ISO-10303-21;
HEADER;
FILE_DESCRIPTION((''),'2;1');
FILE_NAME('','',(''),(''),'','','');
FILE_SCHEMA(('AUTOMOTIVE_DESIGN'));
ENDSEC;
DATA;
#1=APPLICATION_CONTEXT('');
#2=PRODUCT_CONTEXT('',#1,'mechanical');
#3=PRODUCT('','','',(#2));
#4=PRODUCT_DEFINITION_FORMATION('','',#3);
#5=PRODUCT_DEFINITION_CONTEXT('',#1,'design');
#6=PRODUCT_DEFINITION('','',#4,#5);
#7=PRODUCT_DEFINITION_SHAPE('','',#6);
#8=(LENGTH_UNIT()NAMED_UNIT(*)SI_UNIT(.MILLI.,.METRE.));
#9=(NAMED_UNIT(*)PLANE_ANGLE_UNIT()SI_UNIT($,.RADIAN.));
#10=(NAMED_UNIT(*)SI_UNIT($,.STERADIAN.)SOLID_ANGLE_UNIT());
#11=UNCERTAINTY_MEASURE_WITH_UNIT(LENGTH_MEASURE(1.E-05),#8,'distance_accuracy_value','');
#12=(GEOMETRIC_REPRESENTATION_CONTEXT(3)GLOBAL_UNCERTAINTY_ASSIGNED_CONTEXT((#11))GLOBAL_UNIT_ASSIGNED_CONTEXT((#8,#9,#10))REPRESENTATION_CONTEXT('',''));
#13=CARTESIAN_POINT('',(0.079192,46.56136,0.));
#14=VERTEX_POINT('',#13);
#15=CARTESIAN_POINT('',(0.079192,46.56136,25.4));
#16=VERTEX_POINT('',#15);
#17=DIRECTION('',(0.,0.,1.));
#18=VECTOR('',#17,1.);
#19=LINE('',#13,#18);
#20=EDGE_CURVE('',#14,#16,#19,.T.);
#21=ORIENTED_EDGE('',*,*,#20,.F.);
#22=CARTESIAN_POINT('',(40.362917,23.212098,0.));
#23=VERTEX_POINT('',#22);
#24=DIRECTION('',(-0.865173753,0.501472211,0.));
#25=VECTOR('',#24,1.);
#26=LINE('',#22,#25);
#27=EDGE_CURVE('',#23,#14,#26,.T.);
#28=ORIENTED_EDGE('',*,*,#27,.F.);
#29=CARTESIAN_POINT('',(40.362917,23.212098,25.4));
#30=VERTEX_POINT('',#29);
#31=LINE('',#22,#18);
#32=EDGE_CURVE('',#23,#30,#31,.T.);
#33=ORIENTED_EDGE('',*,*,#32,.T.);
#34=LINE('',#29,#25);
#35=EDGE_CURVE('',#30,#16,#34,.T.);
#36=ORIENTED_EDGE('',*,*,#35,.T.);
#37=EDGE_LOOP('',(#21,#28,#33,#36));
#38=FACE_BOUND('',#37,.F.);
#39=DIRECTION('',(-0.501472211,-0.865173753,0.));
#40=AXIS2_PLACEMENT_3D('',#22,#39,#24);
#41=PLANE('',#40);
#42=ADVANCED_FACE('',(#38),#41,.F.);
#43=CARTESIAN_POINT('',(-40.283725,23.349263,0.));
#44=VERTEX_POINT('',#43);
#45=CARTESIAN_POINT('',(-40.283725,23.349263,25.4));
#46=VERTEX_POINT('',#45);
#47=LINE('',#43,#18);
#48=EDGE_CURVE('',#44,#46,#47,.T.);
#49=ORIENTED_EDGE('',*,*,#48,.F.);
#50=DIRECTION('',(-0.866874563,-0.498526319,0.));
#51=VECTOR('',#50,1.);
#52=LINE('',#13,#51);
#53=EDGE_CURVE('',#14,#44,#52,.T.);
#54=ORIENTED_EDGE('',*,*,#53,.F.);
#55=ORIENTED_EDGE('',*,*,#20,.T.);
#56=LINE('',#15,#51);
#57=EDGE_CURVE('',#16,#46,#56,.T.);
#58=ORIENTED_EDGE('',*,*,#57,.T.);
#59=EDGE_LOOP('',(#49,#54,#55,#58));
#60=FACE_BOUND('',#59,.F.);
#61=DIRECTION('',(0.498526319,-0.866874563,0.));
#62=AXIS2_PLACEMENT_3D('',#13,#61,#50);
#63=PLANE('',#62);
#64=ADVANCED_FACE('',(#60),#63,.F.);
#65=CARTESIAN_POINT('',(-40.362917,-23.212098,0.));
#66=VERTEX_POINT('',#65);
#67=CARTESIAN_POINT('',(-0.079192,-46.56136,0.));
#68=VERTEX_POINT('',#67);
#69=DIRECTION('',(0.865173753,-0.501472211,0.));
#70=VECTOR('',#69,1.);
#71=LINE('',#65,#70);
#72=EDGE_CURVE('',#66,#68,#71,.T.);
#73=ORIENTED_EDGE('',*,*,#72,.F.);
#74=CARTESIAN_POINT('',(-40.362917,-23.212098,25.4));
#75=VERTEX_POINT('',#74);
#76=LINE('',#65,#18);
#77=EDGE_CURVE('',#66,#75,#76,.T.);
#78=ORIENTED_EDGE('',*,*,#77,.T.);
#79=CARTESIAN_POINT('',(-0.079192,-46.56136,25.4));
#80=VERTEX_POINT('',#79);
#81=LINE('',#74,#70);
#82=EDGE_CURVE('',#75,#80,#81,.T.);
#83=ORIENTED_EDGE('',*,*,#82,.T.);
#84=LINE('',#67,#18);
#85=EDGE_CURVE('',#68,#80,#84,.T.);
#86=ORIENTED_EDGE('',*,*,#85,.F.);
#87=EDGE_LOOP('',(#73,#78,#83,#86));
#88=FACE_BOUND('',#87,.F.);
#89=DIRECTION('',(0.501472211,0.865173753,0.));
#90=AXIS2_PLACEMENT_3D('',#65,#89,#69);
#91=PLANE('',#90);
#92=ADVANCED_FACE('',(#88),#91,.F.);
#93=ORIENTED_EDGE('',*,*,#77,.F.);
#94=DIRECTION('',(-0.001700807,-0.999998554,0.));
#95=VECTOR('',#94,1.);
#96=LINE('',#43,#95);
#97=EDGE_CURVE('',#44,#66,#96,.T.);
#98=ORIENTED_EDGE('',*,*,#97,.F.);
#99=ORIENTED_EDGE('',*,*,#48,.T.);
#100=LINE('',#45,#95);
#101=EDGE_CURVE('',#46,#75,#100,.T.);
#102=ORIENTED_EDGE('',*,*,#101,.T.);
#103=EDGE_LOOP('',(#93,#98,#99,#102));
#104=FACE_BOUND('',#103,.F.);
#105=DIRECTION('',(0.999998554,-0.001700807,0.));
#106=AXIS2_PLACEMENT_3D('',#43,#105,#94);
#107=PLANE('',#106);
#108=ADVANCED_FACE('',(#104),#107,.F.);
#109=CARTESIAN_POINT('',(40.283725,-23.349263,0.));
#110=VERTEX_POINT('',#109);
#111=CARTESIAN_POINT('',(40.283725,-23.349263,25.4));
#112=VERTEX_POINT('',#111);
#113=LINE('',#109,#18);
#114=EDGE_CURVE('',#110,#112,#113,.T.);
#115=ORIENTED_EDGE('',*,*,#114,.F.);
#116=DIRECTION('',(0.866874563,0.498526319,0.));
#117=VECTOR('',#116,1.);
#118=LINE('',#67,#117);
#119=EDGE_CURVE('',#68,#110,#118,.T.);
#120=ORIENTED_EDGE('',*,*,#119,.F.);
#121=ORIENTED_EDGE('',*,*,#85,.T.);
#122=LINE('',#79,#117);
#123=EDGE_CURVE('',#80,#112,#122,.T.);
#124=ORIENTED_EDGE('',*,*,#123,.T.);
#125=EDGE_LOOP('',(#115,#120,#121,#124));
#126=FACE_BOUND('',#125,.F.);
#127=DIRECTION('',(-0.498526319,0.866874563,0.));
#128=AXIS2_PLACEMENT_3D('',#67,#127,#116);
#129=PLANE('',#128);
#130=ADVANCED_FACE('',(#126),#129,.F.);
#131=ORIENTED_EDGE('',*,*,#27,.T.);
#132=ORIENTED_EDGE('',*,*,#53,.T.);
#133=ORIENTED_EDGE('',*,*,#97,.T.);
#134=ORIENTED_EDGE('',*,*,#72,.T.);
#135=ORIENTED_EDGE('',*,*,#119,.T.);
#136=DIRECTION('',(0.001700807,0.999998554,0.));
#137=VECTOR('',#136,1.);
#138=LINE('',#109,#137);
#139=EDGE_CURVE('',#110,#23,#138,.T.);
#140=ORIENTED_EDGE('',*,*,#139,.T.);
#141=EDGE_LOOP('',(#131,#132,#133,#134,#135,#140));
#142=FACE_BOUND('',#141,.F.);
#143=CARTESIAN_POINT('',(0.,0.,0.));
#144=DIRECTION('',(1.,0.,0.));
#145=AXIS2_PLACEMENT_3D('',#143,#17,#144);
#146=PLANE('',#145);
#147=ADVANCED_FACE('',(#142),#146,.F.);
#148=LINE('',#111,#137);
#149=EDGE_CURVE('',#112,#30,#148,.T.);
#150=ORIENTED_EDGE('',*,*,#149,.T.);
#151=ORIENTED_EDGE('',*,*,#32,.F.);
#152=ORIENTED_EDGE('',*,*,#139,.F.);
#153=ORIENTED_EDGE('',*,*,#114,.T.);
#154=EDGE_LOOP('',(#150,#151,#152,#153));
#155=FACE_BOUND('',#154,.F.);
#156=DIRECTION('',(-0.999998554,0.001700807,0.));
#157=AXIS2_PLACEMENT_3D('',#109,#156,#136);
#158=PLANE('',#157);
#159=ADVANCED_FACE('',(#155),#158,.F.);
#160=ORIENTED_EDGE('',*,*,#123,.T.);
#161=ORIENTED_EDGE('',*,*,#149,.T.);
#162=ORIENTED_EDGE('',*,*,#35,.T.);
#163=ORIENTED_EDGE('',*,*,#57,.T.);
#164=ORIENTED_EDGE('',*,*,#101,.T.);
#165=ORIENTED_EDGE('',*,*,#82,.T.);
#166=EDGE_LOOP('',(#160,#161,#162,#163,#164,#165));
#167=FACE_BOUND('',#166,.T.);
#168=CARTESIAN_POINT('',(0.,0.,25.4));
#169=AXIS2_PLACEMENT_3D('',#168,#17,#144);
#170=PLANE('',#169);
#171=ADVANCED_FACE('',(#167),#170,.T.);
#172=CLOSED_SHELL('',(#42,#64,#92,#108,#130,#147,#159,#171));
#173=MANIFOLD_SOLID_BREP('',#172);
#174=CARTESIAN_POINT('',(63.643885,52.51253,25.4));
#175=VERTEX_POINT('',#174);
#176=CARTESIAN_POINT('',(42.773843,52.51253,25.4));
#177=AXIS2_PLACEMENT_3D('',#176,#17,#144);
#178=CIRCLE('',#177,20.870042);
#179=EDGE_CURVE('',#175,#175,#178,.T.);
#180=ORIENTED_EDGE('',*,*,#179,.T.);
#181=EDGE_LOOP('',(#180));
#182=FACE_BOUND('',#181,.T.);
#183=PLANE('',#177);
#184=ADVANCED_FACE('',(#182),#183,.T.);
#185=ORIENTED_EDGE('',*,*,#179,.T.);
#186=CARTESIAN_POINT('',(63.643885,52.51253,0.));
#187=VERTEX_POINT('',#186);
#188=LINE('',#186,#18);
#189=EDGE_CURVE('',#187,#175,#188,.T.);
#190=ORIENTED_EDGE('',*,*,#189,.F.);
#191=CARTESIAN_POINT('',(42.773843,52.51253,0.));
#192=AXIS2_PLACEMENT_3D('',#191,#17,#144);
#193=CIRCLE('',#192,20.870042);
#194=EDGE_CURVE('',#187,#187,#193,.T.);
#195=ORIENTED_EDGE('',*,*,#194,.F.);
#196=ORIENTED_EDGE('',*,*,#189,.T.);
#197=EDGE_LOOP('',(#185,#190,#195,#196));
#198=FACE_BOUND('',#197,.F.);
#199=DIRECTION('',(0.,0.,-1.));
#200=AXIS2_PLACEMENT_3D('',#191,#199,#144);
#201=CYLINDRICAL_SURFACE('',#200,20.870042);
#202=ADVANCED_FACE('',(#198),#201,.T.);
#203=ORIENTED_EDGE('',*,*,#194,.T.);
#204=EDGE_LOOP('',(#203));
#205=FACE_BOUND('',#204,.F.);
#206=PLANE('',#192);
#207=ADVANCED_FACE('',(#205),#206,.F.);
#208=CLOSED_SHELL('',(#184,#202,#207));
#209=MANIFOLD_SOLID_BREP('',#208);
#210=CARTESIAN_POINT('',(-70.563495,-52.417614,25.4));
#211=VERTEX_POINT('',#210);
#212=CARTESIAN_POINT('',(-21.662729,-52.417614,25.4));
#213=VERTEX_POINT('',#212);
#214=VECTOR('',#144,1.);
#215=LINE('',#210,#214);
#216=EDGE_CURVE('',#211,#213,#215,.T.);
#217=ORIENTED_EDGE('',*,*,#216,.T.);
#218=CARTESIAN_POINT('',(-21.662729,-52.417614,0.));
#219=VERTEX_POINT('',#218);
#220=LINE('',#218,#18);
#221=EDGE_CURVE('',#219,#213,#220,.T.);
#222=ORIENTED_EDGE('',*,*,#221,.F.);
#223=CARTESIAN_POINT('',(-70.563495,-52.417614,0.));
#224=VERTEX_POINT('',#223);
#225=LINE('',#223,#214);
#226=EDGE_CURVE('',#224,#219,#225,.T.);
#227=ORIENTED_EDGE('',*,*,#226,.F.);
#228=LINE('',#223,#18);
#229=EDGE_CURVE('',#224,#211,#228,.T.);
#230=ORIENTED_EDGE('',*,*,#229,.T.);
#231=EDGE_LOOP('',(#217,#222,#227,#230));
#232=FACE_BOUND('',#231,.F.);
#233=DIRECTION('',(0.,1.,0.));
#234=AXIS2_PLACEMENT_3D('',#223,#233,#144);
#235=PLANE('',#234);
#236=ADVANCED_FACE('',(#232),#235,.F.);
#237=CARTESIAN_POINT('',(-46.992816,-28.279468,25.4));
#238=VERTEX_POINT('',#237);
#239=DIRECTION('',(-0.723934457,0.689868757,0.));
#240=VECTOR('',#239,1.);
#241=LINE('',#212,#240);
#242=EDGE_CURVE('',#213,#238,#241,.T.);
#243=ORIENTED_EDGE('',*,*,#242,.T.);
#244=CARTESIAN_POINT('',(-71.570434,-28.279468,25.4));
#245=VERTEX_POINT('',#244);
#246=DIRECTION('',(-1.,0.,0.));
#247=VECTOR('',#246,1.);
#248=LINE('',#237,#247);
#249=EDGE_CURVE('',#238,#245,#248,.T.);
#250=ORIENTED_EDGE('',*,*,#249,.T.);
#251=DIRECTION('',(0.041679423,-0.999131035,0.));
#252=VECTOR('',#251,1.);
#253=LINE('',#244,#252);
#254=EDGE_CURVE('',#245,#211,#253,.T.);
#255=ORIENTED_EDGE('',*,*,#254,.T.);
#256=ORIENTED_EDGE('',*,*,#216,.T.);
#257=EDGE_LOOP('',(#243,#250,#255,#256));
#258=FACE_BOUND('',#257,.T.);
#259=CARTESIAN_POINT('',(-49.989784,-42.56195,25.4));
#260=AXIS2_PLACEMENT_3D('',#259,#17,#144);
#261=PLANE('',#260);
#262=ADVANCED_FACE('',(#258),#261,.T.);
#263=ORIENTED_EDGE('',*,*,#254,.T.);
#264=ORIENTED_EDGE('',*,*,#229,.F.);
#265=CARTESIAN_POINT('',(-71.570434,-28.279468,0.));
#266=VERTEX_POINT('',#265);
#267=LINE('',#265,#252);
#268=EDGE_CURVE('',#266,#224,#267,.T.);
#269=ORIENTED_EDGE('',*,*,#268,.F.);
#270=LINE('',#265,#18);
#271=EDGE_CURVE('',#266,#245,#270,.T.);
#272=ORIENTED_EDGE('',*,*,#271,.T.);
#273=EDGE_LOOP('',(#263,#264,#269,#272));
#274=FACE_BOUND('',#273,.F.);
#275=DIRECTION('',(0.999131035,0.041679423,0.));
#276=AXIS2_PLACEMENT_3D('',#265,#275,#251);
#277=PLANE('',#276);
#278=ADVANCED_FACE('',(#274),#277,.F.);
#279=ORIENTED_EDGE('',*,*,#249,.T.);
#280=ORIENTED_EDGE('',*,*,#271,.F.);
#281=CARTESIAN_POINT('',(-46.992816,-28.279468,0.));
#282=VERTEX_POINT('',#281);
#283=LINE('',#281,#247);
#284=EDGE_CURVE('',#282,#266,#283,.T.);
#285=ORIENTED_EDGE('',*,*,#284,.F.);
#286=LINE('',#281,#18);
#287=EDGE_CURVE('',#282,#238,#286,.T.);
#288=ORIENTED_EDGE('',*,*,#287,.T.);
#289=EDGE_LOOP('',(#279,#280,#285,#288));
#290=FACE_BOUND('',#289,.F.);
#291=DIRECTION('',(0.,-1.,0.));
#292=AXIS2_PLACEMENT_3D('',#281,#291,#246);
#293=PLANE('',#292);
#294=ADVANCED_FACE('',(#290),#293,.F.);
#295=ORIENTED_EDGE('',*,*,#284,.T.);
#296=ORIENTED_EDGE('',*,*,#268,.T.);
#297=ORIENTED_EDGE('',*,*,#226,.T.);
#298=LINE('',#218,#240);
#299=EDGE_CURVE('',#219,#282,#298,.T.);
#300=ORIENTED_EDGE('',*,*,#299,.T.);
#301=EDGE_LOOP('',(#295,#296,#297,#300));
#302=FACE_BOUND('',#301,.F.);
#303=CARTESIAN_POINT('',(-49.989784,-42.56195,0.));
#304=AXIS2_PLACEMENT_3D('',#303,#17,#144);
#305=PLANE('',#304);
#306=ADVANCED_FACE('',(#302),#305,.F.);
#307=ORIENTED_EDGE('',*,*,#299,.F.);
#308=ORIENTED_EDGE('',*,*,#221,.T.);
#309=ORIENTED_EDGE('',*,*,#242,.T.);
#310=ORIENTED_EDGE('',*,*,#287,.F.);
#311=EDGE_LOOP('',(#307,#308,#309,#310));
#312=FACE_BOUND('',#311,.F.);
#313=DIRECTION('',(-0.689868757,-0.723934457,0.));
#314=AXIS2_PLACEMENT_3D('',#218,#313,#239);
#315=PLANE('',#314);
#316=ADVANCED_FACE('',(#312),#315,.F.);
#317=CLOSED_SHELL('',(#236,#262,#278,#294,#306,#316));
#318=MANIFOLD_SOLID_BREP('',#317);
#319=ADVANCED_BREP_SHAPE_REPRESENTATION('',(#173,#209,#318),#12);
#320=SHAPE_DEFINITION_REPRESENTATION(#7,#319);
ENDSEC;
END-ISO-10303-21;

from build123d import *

# Parameters (mm, degrees)
F1_DEPTH = 25.4
F2_R     = 20.870042
F3_DEPTH = 25.4
F5_DEPTH = 25.4


with BuildPart() as f1:
    # F0 (on Top) → F1 (new body)
    with BuildSketch(Plane.XY):
        Polygon((0.079192, 46.56136), (-40.283725, 23.349263), (-40.362917, -23.212098), (-0.079192, -46.56136), (40.283725, -23.349263), (40.362917, 23.212098), align=None)
    extrude(amount=F1_DEPTH)


with BuildPart() as f3:
    # F2 (on Top) → F3 (new body)
    with BuildSketch(Plane.XY):
        with Locations((42.773843, 52.51253)):
            Circle(F2_R)
    extrude(amount=F3_DEPTH)


with BuildPart() as f5:
    # F4 (on Top) → F5 (new body)
    with BuildSketch(Plane.XY):
        Polygon((-46.992816, -28.279468), (-71.570434, -28.279468), (-70.563495, -52.417614), (-21.662729, -52.417614), align=None)
    extrude(amount=F5_DEPTH)


solid = Compound([f1.part, f3.part, f5.part])
